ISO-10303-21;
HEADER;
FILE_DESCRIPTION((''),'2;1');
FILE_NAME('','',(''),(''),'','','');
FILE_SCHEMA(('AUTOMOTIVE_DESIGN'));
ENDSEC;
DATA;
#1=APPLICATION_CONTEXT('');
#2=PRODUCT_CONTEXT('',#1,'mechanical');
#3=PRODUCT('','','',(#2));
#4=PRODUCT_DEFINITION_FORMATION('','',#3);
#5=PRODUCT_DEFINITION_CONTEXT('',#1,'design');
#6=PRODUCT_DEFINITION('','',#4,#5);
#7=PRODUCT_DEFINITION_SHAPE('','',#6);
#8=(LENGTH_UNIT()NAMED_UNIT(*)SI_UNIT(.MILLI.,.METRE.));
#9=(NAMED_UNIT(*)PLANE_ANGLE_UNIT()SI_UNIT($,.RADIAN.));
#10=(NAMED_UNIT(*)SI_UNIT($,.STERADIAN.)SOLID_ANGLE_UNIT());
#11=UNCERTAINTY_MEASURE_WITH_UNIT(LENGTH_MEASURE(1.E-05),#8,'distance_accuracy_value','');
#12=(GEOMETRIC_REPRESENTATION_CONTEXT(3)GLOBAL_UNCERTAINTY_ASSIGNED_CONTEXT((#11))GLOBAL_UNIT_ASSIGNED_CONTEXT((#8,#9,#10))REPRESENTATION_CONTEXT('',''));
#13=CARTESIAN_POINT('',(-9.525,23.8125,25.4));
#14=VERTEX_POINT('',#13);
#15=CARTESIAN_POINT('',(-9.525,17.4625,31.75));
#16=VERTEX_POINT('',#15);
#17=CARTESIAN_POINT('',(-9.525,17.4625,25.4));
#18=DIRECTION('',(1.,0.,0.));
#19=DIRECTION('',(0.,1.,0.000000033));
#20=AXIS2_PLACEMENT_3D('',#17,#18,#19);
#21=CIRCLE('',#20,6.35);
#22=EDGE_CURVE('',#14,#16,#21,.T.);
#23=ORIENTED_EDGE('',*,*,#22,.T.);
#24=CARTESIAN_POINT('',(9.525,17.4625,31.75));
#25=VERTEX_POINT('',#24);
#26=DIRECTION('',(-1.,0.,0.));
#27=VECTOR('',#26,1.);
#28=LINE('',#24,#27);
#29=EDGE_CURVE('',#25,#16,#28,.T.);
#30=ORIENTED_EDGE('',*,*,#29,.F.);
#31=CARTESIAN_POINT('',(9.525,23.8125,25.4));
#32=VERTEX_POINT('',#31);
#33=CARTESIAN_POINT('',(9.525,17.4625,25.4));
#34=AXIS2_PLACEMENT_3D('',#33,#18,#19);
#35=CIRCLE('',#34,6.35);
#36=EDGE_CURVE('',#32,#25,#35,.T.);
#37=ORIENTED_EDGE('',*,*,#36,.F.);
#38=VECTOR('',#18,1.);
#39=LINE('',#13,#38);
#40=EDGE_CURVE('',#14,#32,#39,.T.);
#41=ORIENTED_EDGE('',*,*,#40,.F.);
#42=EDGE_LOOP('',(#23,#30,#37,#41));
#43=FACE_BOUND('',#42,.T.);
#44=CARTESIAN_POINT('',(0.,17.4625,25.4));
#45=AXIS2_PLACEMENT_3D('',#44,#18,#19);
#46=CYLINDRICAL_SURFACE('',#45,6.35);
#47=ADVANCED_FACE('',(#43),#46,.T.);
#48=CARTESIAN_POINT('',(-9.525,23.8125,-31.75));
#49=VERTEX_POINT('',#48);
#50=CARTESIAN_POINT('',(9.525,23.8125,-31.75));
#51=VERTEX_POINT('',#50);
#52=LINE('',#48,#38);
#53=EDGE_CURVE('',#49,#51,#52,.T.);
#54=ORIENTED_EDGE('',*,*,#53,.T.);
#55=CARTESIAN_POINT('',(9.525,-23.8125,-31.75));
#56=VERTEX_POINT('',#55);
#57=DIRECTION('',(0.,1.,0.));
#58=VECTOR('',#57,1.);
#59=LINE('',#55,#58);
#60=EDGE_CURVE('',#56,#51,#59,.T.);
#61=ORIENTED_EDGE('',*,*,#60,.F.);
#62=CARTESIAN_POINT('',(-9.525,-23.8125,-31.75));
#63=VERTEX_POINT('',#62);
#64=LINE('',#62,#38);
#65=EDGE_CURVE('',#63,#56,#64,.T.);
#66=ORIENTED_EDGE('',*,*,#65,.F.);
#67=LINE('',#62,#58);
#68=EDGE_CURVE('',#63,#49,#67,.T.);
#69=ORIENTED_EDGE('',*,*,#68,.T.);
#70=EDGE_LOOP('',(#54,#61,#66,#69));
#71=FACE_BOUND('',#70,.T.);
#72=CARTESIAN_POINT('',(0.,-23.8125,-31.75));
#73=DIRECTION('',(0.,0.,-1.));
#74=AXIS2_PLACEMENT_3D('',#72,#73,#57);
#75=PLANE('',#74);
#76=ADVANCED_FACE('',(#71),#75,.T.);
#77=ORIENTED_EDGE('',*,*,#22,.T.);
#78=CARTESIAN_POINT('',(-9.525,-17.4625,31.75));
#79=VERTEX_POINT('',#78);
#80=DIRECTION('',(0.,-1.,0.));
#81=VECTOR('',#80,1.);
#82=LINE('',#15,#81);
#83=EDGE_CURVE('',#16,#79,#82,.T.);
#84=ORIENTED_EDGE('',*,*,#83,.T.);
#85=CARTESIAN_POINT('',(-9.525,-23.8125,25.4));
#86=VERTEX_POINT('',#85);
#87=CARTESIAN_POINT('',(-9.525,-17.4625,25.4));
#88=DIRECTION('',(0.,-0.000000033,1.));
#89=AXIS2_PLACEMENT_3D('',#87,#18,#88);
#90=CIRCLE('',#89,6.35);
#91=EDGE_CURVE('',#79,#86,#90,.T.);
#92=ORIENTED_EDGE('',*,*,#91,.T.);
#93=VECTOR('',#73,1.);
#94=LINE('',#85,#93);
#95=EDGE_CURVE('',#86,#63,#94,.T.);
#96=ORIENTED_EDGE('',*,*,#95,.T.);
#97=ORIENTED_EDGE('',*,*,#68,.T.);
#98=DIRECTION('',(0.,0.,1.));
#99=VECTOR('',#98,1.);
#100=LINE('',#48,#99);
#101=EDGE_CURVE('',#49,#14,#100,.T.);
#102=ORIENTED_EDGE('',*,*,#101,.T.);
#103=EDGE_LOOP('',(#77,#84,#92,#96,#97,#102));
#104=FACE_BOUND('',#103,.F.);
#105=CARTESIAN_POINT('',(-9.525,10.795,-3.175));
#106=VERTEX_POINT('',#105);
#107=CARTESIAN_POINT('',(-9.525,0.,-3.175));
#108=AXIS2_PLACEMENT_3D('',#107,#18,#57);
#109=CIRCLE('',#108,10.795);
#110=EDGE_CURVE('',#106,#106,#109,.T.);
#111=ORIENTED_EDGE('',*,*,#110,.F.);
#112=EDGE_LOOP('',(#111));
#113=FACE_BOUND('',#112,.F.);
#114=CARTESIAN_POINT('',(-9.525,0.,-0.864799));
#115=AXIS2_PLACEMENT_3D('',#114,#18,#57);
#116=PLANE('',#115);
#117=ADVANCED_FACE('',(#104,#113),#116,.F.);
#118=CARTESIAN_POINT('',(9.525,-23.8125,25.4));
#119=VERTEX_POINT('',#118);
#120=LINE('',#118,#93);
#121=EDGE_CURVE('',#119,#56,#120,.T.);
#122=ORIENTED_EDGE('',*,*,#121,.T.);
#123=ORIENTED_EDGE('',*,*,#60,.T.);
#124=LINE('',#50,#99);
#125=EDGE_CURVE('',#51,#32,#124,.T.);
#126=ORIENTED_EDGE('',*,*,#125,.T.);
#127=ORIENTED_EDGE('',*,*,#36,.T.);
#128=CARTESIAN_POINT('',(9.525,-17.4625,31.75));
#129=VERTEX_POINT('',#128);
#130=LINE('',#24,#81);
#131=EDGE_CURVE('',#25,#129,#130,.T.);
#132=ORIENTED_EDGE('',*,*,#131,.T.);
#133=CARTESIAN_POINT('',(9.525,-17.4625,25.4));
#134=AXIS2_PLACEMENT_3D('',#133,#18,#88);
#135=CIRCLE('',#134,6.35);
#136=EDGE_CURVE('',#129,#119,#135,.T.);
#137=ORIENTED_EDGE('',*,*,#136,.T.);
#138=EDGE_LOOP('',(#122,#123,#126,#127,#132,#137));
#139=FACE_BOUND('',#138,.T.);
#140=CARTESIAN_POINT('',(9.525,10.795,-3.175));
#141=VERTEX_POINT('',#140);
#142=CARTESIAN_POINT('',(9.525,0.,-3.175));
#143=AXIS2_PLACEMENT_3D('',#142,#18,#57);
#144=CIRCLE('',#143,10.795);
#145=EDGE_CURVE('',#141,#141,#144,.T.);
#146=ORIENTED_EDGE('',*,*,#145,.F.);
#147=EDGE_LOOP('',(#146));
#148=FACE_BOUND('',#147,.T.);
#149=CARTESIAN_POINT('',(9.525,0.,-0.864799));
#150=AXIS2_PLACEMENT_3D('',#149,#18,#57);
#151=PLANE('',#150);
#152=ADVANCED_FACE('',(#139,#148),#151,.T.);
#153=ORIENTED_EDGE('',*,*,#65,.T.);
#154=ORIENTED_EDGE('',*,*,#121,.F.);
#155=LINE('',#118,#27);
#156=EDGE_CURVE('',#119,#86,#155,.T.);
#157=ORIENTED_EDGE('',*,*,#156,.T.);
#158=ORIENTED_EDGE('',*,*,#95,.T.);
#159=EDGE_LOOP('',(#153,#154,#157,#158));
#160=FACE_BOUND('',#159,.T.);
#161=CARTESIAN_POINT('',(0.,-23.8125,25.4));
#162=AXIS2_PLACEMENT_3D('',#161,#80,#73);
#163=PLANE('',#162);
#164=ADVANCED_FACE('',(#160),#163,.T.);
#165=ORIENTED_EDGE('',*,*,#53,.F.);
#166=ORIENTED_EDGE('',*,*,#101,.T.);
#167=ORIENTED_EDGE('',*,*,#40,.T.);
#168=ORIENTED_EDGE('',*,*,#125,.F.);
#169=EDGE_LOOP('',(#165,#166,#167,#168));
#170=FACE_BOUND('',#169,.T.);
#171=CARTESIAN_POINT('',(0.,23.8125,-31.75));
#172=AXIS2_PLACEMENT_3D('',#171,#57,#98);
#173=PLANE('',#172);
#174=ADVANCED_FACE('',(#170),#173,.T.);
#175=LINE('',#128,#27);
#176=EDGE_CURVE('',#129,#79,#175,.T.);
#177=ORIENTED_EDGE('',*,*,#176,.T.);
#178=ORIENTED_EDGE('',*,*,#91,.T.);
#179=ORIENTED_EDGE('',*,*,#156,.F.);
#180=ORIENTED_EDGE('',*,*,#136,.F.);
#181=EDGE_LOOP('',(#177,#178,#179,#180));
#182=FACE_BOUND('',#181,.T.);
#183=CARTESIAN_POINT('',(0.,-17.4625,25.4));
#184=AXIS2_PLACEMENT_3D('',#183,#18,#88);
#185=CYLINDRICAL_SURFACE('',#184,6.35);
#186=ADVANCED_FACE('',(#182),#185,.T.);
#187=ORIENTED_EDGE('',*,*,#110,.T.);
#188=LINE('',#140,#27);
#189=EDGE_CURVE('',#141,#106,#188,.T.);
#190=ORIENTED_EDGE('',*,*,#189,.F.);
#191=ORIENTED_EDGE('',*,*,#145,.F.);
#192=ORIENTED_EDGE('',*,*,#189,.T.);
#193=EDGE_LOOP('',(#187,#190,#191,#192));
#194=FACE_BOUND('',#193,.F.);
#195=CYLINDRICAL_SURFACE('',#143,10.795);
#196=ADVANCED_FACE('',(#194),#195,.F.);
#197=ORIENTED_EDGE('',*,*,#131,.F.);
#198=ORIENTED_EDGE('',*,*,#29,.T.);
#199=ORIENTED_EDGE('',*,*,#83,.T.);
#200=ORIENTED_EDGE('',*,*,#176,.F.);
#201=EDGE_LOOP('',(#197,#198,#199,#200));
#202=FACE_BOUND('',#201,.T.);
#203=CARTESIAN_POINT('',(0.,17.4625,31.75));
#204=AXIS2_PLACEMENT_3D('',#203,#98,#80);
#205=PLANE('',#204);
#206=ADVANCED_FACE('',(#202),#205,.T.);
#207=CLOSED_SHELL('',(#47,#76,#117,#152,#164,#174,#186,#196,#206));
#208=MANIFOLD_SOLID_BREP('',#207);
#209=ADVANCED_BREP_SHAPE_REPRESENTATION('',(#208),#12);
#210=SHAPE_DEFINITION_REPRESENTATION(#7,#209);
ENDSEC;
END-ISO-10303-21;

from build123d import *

# Parameters (mm, degrees)
F1_DEPTH = 9.525
F2_R     = 10.795
F3_DEPTH = 25.4


with BuildPart() as f1:
    # F0 (on Right) → F1 (new body, symmetric)
    with BuildSketch(Plane.YZ):
        with BuildLine():
            Line((-23.8125, 25.4), (-23.8125, -31.75))
            Line((-23.8125, -31.75), (23.8125, -31.75))
            Line((23.8125, -31.75), (23.8125, 25.4))
            ThreePointArc((23.8125, 25.4), (21.952628, 29.890128), (17.4625, 31.75))
            Line((17.4625, 31.75), (-17.4625, 31.75))
            ThreePointArc((-17.4625, 31.75), (-21.952628, 29.890128), (-23.8125, 25.4))
        make_face()
    extrude(amount=F1_DEPTH, both=True)

    # F2 (on face) → F3 (cut)
    with BuildSketch(Plane.YZ.offset(9.525)):
        with Locations((0, -3.175)):
            Circle(F2_R)
    extrude(amount=-F3_DEPTH, mode=Mode.SUBTRACT)


solid = f1.part
